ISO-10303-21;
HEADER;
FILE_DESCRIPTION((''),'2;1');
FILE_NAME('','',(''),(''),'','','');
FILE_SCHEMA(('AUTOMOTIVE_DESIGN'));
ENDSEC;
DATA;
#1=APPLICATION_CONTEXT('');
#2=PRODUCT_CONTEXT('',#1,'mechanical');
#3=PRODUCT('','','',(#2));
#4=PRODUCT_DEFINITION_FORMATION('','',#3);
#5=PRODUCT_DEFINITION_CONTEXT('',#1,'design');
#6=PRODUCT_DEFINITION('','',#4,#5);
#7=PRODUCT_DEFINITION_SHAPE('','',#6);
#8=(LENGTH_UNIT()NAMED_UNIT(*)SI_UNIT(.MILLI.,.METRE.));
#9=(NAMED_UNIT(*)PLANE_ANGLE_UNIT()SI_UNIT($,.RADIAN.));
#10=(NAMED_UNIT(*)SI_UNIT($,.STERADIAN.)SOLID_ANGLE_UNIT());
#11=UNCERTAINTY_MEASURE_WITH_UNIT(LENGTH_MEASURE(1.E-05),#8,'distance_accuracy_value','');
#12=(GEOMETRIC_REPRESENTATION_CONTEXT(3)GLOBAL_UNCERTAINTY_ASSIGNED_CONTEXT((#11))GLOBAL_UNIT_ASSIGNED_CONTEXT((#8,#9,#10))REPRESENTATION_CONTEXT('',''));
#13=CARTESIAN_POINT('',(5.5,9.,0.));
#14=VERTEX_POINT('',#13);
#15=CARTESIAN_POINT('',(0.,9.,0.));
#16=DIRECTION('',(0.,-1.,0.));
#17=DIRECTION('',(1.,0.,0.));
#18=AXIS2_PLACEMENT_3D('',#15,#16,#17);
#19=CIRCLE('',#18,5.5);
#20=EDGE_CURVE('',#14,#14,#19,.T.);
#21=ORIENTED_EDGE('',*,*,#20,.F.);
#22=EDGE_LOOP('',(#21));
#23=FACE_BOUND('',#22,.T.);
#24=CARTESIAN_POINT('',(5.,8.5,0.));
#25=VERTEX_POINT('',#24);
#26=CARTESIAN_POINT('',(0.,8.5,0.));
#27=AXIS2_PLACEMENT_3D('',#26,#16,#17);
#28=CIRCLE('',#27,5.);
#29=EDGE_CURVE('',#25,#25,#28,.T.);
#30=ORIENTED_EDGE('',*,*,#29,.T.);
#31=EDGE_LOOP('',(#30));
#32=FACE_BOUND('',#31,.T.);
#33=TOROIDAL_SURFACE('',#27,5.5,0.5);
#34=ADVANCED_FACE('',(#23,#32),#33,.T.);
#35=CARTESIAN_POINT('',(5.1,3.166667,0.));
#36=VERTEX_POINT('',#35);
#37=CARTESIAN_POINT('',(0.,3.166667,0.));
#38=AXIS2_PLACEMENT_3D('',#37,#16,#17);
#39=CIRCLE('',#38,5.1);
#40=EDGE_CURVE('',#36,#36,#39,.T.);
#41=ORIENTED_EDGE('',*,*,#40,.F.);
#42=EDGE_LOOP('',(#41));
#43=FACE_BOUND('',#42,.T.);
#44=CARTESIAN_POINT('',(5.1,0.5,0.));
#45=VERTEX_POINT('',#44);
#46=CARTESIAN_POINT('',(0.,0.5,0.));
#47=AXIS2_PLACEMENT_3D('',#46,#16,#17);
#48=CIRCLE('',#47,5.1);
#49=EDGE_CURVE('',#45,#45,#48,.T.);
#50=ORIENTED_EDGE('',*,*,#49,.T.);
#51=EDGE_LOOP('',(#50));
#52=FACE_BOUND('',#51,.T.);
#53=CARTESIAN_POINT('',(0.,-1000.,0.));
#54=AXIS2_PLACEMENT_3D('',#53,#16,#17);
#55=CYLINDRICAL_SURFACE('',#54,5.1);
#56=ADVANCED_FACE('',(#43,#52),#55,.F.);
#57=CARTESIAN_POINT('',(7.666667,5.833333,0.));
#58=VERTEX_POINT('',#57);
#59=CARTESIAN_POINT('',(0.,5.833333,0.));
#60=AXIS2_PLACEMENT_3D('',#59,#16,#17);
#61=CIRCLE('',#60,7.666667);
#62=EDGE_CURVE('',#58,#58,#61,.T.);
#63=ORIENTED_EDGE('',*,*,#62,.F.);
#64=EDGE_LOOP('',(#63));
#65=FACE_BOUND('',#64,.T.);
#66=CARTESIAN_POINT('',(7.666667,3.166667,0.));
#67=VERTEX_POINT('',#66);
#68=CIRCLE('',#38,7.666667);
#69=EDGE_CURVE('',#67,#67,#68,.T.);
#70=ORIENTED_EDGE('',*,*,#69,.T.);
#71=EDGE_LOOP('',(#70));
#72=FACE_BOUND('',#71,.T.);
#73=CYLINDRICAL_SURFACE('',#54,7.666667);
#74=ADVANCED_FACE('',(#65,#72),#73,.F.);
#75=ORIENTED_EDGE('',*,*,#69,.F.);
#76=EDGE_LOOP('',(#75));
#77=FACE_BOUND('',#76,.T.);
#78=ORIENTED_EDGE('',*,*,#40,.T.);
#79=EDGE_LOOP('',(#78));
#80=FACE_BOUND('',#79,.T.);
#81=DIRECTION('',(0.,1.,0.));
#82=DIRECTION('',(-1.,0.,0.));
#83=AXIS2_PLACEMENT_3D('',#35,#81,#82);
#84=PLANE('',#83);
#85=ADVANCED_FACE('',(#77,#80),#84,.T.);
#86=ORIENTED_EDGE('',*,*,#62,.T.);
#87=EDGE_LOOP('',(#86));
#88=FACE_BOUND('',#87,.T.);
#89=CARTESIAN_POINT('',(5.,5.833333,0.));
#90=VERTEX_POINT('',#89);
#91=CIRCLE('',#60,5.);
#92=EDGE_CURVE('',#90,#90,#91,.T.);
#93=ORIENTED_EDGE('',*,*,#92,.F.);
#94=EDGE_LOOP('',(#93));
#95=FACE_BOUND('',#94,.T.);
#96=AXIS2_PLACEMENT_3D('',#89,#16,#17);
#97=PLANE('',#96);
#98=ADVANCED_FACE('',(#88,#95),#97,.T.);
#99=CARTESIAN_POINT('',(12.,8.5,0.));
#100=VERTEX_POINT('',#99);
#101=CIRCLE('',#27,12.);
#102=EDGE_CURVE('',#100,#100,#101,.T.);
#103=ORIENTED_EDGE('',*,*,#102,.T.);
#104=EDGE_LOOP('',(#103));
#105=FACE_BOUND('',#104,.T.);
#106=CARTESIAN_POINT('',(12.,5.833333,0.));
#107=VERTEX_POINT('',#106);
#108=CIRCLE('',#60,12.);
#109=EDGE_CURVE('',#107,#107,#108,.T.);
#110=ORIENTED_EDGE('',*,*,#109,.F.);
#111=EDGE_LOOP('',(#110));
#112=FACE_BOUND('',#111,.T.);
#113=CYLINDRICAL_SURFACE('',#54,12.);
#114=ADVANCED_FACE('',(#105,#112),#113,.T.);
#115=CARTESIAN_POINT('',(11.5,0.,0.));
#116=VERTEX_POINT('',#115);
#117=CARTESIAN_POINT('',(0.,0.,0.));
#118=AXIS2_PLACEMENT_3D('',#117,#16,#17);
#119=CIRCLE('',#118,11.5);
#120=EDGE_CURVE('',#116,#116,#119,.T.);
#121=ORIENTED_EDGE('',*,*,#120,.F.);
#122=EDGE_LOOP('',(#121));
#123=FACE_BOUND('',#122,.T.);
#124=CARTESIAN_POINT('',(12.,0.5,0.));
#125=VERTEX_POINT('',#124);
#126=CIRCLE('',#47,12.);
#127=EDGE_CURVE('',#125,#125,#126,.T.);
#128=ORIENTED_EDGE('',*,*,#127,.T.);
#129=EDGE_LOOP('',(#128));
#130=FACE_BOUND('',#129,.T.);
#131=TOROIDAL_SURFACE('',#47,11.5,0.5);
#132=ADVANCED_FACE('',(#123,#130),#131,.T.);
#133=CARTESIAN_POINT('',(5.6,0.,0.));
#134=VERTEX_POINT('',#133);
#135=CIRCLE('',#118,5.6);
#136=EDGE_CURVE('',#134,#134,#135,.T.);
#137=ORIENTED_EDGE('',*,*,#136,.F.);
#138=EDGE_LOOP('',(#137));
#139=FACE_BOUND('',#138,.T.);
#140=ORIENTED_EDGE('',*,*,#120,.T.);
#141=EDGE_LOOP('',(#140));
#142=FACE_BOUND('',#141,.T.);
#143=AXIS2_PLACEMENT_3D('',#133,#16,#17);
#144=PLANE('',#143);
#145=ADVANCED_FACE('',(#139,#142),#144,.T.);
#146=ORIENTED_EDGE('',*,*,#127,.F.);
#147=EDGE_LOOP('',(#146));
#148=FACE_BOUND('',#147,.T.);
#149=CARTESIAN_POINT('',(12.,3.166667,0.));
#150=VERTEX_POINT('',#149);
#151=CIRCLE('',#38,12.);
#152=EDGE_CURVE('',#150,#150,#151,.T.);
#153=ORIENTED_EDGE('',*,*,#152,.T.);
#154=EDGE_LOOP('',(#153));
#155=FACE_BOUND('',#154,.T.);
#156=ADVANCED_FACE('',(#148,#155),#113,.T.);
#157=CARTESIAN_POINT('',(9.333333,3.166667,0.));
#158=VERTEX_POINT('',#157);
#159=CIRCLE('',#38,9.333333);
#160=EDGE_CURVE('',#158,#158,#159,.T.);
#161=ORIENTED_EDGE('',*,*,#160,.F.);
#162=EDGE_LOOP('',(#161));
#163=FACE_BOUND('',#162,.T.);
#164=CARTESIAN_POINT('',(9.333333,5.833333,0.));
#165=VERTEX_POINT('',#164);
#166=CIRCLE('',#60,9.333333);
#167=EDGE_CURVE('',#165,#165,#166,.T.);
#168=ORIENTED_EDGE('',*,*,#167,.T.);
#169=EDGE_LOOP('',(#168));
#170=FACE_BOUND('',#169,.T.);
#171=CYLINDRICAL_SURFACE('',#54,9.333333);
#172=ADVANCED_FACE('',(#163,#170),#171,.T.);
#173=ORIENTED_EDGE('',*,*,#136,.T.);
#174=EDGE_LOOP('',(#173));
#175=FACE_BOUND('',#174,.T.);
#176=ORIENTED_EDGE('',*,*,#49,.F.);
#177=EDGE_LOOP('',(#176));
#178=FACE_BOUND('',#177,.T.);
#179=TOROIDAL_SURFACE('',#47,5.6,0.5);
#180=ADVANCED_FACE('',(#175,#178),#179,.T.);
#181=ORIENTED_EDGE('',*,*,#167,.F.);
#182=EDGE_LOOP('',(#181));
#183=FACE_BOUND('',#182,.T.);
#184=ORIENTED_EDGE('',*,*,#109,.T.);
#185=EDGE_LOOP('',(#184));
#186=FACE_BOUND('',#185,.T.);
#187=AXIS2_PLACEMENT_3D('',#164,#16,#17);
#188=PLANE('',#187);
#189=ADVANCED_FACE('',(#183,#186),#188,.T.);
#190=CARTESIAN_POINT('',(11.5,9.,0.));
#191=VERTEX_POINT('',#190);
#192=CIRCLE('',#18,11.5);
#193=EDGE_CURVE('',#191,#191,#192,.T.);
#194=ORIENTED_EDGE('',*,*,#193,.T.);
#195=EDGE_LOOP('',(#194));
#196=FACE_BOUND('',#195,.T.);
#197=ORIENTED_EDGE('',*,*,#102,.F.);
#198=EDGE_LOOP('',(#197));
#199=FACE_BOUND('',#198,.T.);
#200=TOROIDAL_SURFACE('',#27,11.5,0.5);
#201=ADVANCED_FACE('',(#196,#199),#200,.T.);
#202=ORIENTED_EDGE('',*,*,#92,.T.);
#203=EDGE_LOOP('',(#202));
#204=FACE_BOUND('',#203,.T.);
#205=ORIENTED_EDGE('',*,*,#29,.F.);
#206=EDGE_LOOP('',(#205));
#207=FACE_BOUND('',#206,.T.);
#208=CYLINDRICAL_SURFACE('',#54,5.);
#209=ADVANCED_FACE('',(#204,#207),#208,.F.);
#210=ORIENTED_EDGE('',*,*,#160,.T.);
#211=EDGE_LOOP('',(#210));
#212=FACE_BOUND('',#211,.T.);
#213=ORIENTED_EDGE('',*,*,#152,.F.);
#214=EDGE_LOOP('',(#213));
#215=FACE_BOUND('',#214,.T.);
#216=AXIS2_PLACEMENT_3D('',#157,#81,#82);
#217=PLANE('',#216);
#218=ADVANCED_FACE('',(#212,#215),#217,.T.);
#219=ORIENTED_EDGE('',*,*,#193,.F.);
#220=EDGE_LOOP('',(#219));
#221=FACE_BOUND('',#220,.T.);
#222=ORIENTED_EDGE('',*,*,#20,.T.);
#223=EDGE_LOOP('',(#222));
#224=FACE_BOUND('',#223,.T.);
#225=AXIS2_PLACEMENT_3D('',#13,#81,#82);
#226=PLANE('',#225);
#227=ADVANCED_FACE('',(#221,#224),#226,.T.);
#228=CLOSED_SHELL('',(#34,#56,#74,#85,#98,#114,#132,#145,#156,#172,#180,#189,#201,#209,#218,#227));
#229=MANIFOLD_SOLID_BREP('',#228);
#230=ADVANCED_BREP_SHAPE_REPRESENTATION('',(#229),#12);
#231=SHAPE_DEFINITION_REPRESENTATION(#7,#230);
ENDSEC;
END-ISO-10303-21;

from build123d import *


with BuildPart() as part:
    # Эскиз1 → Повернуть1 (revolve)
    with BuildSketch(Plane.XY):
        with BuildLine():
            Line((5.1, 3.166666667), (7.666666667, 3.166666667))
            Line((7.666666667, 3.166666667), (7.666666667, 5.833333333))
            Line((7.666666667, 5.833333333), (5, 5.833333333))
            Line((5, 5.833333333), (5, 8.5))
            ThreePointArc((5, 8.5), (5.146446609, 8.853553391), (5.5, 9))
            Line((5.5, 9), (11.5, 9))
            ThreePointArc((11.5, 9), (11.853553391, 8.853553391), (12, 8.5))
            Line((12, 8.5), (12, 5.833333333))
            Line((12, 5.833333333), (9.333333333, 5.833333333))
            Line((9.333333333, 5.833333333), (9.333333333, 3.166666667))
            Line((9.333333333, 3.166666667), (12, 3.166666667))
            Line((12, 3.166666667), (12, 0.5))
            ThreePointArc((12, 0.5), (11.853553391, 0.146446609), (11.5, 0))
            Line((11.5, 0), (5.6, 0))
            ThreePointArc((5.6, 0), (5.246446609, 0.146446609), (5.1, 0.5))
            Line((5.1, 0.5), (5.1, 3.166666667))
        make_face()
    revolve(axis=Axis((0, -1000, 0), (0, 1, 0)))


solid = part.part
